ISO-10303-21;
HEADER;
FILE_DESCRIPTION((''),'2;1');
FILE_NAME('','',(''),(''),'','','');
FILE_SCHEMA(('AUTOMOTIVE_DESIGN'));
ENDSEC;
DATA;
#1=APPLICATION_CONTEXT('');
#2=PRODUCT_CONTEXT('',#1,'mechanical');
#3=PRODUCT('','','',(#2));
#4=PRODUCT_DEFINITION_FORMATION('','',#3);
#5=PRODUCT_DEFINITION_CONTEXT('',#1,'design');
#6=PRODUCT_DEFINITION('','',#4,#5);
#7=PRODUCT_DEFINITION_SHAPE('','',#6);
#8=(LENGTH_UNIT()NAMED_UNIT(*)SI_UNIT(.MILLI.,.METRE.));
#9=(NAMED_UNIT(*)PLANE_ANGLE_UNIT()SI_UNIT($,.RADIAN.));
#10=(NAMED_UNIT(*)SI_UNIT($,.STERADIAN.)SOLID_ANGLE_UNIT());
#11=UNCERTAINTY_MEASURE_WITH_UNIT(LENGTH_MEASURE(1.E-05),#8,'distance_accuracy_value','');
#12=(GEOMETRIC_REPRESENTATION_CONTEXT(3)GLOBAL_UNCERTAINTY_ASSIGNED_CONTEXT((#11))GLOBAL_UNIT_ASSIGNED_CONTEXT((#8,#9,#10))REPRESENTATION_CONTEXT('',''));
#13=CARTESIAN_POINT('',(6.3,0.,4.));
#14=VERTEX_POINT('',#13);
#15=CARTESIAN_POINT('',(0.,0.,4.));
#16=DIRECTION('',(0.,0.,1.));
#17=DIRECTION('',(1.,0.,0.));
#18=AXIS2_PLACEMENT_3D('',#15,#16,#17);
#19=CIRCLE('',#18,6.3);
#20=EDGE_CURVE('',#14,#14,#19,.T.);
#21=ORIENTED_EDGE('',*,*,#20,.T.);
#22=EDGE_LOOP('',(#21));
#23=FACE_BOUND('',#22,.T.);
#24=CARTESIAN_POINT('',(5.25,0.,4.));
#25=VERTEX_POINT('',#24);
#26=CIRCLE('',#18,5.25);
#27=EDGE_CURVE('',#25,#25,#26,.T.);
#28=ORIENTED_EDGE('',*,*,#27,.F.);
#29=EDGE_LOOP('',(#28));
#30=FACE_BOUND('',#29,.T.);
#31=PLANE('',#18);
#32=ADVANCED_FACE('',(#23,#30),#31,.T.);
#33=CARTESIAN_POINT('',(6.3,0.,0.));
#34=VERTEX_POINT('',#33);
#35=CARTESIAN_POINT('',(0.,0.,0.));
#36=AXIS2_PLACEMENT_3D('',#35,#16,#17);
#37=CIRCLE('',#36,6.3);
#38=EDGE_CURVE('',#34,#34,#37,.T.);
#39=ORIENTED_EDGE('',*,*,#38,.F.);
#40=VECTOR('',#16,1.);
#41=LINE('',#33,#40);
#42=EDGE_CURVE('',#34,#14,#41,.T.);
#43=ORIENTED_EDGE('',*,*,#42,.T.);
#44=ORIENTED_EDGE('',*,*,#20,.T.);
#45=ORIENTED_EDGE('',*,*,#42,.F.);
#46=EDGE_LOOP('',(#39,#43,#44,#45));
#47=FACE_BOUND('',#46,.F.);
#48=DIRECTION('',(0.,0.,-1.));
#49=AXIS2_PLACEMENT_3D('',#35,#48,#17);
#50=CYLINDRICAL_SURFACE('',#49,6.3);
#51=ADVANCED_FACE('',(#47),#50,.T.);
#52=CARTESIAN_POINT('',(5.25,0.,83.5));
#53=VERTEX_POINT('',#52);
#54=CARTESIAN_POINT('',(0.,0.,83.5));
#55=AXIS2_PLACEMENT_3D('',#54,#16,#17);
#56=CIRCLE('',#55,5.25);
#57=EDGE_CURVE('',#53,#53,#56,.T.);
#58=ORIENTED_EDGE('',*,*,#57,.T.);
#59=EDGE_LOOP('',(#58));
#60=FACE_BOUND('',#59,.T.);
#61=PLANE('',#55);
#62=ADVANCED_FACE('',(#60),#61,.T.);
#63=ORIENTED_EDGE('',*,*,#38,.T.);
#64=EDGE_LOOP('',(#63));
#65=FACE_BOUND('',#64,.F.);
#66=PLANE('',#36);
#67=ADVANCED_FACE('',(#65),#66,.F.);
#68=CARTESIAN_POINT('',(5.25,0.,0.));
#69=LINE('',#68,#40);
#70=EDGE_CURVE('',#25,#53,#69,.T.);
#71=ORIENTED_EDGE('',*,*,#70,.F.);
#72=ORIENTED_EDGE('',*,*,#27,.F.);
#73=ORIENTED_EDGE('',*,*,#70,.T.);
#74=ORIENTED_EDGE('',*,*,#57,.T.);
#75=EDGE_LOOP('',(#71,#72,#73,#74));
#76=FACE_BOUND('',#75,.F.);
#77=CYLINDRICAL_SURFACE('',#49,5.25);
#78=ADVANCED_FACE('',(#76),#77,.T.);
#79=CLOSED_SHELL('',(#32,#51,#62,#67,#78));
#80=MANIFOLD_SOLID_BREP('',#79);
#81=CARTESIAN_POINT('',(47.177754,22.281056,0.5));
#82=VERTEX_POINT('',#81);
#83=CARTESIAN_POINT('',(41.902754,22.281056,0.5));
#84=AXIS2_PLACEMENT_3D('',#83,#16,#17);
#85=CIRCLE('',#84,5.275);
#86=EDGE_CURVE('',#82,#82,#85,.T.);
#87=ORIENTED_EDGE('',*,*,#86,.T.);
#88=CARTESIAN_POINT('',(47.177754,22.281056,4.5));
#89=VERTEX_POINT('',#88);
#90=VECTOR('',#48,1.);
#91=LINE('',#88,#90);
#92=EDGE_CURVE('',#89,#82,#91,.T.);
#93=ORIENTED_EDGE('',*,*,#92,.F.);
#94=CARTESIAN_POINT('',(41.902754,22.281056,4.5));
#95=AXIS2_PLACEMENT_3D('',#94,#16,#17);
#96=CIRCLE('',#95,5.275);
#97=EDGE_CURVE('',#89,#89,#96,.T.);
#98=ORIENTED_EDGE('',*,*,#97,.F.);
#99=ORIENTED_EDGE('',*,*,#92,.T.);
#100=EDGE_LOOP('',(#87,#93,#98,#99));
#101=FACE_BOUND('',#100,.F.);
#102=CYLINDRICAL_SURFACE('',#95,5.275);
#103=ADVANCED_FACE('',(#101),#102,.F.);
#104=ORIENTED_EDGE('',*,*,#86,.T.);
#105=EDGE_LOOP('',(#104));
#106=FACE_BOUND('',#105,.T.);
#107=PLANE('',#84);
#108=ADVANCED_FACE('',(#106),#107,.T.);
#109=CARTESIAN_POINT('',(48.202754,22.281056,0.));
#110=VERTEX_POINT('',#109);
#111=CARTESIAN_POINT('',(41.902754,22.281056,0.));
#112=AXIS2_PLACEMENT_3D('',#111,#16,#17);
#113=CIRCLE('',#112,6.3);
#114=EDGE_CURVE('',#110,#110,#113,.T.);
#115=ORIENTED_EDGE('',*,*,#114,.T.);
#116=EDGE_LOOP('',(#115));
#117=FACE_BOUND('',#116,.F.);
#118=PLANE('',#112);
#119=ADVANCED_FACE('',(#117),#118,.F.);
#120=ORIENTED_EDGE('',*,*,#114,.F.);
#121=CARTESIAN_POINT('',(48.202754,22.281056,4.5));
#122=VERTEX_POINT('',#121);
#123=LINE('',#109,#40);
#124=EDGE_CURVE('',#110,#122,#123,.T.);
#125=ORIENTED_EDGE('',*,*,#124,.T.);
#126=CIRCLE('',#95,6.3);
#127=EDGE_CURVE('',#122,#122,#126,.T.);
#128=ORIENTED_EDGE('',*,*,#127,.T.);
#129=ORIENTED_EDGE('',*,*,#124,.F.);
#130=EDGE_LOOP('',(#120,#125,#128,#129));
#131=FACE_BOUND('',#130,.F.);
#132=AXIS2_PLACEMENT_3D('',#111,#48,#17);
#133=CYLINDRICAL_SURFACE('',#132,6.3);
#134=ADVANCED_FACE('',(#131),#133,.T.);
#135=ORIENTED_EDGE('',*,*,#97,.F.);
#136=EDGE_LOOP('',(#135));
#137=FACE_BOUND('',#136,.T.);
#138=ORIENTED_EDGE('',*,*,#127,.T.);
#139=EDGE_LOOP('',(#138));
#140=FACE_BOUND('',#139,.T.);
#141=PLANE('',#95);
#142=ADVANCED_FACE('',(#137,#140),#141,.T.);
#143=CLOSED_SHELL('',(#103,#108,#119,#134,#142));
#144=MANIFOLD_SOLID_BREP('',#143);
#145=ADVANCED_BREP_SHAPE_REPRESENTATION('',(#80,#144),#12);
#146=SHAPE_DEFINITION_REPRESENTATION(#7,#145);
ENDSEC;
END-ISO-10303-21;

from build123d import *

# Parameters (mm, degrees)
F0_R      = 5.25
F1_DEPTH  = 84
F0_R_2    = 6.3
F2_DEPTH  = 4
F3_R      = 6.3
F4_DEPTH  = 4.5
F5_R      = 5.275
F6_DEPTH  = 4
F1_FACE_R = 5.25
F7_DEPTH  = 0.5


with BuildPart() as f1:
    # F0 (on Top) → F1 (new body)
    with BuildSketch(Plane.XY):
        Circle(F0_R)
    extrude(amount=F1_DEPTH)

    # F0 (on Top) → F2 (join)
    with BuildSketch(Plane.XY):
        Circle(F0_R_2)
        Circle(F0_R, mode=Mode.SUBTRACT)
    extrude(amount=F2_DEPTH)

    # F1_face (on face) → F7 (cut)
    with BuildSketch(Plane.XY.offset(84)):
        Circle(F1_FACE_R)
    extrude(amount=-F7_DEPTH, mode=Mode.SUBTRACT)


with BuildPart() as f4:
    # F3 (on Top) → F4 (new body)
    with BuildSketch(Plane.XY):
        with Locations((41.902754, 22.281056)):
            Circle(F3_R)
    extrude(amount=F4_DEPTH)

    # F5 (on face) → F6 (cut)
    with BuildSketch(Plane.XY.offset(4.5)):
        with Locations((41.902754, 22.281056)):
            Circle(F5_R)
    extrude(amount=-F6_DEPTH, mode=Mode.SUBTRACT)


solid = Compound([f1.part, f4.part])
